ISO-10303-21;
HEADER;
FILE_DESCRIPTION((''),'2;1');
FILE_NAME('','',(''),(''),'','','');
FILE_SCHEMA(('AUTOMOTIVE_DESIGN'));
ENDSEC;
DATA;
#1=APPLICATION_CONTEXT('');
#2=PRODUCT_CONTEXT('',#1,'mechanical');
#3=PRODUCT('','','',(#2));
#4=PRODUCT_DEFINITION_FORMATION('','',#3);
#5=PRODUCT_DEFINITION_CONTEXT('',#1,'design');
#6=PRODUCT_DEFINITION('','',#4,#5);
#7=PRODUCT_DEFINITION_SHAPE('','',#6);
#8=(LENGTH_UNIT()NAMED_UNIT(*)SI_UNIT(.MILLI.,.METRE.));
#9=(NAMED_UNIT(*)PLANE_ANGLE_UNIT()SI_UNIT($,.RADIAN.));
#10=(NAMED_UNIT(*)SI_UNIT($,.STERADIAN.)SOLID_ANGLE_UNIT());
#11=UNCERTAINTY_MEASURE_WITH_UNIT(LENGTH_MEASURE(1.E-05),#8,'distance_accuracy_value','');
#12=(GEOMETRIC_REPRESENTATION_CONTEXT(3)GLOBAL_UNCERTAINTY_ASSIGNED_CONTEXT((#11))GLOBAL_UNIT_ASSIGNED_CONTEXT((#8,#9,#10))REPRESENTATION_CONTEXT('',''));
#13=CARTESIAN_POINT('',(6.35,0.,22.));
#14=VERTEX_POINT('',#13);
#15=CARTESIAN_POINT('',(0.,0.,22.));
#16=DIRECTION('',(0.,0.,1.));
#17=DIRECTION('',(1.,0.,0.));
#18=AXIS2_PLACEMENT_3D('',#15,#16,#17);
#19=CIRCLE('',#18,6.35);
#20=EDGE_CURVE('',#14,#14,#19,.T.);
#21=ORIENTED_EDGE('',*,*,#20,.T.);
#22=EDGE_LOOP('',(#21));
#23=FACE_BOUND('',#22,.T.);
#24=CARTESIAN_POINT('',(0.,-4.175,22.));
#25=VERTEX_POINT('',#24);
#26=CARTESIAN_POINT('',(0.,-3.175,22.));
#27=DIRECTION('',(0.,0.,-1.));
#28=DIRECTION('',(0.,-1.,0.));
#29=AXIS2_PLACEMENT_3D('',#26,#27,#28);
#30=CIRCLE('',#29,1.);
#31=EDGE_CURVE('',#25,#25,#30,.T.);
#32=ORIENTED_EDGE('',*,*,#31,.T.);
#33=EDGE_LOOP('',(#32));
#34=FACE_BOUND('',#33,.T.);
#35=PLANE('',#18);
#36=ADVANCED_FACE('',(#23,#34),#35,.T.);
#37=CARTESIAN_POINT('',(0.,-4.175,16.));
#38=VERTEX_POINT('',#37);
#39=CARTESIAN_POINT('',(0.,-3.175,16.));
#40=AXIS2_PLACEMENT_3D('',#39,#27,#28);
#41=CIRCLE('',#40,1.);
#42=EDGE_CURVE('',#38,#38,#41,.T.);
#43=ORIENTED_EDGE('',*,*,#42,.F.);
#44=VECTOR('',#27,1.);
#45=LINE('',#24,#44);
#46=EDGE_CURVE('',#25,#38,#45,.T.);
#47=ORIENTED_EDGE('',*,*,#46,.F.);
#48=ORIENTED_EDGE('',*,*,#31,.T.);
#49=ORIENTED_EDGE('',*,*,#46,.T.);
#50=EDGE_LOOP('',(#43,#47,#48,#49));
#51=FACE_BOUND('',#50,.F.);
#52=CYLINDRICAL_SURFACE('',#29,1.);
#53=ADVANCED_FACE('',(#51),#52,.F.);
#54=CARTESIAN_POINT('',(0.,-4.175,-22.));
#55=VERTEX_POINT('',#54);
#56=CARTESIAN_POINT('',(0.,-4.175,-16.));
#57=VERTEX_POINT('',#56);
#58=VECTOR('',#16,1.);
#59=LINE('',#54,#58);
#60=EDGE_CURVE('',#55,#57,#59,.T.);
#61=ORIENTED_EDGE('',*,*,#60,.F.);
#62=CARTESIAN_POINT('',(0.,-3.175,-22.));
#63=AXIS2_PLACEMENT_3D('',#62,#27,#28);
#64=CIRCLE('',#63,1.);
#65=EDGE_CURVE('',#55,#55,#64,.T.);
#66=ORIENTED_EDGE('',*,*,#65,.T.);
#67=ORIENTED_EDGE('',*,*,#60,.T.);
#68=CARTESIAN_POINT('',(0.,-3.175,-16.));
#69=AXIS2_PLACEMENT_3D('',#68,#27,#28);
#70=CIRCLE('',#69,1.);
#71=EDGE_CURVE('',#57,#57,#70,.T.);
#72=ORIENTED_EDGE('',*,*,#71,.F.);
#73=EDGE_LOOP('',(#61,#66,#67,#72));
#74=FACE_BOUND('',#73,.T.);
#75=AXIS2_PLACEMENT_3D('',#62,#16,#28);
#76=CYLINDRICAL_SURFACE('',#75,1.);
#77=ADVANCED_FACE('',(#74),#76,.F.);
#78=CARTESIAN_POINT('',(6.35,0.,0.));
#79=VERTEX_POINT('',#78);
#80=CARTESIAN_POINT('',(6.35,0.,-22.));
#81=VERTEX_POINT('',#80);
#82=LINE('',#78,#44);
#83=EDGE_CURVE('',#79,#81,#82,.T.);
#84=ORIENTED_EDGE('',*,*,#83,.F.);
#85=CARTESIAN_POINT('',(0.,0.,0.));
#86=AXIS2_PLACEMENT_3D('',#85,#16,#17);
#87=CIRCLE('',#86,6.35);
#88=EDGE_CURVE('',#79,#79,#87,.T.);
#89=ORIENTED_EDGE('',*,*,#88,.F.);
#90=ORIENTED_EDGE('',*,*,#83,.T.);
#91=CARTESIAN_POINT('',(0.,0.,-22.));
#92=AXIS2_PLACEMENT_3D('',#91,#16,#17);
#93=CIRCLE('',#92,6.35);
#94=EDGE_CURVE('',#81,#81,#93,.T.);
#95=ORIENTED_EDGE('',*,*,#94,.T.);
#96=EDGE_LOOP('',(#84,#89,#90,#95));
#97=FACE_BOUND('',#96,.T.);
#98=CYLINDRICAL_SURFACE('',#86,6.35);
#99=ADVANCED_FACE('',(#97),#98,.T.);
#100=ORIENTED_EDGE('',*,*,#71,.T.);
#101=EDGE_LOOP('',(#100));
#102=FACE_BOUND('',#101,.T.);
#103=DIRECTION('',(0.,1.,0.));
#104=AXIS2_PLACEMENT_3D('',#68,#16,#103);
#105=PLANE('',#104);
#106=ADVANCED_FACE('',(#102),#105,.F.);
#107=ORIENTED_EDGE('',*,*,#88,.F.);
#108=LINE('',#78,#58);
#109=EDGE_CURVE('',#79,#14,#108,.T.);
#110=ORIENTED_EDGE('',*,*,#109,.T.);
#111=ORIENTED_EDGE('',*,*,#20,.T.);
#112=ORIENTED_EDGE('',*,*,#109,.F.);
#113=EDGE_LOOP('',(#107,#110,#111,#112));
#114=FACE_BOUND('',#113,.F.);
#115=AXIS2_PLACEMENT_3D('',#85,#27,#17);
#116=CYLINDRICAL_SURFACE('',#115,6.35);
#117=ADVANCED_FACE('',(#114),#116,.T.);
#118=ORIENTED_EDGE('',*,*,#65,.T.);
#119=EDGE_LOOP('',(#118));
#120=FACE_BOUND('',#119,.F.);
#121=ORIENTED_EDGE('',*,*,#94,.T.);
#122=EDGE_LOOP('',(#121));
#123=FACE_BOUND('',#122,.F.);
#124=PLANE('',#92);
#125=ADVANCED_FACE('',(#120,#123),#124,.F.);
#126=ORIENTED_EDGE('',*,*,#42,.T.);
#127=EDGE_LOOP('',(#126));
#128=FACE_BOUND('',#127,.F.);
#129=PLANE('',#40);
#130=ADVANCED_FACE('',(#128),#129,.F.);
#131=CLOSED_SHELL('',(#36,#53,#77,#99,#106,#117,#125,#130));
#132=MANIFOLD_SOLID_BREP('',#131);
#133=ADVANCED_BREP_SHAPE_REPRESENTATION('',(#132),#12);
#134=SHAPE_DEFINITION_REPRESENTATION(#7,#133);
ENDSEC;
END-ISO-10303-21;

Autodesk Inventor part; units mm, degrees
ref_plane "YZ Plane" through (0, 0, 0) normal (1, 0, 0) x (0, 1, 0)
ref_plane "XZ Plane" through (0, 0, 0) normal (0, 1, 0) x (-1, 0, 0)
ref_plane "XY Plane" through (0, 0, 0) normal (0, 0, 1) x (1, 0, 0)
sketch "Sketch1" plane through (0, 0, 0) normal (0, 0, 1) x (1, 0, 0)
  circle A0 centre (0, 0) radius 6.35
  dimension "d2" = 12.7
extrude "Extrusion1" add sketch "Sketch1" along normal mid plane 44
sketch "Sketch2" plane through (0, 0, 22) normal (0, 0, 1) x (1, 0, 0)
  circle A0 centre (0, -3.175) radius 1
  point P0 (0, 0)
  dimension "d3" = 2
  dimension "d4" = 3.175
hole "Hole1" at (0, -3.175, 22) direction (0, 0, -1) diameter 2 depth 6
mirror "Mirror1" about plane through (0, 0, 0) normal (0, 0, 1) of "Hole1"
thread "Thread1" size "M2x0.4" class "6H" standard "ANSI Metric M Profile" full length
thread "Thread2" size "M2x0.4" class "6H" standard "ANSI Metric M Profile" full length
properties part number "Tubo Soporte para Corte"
